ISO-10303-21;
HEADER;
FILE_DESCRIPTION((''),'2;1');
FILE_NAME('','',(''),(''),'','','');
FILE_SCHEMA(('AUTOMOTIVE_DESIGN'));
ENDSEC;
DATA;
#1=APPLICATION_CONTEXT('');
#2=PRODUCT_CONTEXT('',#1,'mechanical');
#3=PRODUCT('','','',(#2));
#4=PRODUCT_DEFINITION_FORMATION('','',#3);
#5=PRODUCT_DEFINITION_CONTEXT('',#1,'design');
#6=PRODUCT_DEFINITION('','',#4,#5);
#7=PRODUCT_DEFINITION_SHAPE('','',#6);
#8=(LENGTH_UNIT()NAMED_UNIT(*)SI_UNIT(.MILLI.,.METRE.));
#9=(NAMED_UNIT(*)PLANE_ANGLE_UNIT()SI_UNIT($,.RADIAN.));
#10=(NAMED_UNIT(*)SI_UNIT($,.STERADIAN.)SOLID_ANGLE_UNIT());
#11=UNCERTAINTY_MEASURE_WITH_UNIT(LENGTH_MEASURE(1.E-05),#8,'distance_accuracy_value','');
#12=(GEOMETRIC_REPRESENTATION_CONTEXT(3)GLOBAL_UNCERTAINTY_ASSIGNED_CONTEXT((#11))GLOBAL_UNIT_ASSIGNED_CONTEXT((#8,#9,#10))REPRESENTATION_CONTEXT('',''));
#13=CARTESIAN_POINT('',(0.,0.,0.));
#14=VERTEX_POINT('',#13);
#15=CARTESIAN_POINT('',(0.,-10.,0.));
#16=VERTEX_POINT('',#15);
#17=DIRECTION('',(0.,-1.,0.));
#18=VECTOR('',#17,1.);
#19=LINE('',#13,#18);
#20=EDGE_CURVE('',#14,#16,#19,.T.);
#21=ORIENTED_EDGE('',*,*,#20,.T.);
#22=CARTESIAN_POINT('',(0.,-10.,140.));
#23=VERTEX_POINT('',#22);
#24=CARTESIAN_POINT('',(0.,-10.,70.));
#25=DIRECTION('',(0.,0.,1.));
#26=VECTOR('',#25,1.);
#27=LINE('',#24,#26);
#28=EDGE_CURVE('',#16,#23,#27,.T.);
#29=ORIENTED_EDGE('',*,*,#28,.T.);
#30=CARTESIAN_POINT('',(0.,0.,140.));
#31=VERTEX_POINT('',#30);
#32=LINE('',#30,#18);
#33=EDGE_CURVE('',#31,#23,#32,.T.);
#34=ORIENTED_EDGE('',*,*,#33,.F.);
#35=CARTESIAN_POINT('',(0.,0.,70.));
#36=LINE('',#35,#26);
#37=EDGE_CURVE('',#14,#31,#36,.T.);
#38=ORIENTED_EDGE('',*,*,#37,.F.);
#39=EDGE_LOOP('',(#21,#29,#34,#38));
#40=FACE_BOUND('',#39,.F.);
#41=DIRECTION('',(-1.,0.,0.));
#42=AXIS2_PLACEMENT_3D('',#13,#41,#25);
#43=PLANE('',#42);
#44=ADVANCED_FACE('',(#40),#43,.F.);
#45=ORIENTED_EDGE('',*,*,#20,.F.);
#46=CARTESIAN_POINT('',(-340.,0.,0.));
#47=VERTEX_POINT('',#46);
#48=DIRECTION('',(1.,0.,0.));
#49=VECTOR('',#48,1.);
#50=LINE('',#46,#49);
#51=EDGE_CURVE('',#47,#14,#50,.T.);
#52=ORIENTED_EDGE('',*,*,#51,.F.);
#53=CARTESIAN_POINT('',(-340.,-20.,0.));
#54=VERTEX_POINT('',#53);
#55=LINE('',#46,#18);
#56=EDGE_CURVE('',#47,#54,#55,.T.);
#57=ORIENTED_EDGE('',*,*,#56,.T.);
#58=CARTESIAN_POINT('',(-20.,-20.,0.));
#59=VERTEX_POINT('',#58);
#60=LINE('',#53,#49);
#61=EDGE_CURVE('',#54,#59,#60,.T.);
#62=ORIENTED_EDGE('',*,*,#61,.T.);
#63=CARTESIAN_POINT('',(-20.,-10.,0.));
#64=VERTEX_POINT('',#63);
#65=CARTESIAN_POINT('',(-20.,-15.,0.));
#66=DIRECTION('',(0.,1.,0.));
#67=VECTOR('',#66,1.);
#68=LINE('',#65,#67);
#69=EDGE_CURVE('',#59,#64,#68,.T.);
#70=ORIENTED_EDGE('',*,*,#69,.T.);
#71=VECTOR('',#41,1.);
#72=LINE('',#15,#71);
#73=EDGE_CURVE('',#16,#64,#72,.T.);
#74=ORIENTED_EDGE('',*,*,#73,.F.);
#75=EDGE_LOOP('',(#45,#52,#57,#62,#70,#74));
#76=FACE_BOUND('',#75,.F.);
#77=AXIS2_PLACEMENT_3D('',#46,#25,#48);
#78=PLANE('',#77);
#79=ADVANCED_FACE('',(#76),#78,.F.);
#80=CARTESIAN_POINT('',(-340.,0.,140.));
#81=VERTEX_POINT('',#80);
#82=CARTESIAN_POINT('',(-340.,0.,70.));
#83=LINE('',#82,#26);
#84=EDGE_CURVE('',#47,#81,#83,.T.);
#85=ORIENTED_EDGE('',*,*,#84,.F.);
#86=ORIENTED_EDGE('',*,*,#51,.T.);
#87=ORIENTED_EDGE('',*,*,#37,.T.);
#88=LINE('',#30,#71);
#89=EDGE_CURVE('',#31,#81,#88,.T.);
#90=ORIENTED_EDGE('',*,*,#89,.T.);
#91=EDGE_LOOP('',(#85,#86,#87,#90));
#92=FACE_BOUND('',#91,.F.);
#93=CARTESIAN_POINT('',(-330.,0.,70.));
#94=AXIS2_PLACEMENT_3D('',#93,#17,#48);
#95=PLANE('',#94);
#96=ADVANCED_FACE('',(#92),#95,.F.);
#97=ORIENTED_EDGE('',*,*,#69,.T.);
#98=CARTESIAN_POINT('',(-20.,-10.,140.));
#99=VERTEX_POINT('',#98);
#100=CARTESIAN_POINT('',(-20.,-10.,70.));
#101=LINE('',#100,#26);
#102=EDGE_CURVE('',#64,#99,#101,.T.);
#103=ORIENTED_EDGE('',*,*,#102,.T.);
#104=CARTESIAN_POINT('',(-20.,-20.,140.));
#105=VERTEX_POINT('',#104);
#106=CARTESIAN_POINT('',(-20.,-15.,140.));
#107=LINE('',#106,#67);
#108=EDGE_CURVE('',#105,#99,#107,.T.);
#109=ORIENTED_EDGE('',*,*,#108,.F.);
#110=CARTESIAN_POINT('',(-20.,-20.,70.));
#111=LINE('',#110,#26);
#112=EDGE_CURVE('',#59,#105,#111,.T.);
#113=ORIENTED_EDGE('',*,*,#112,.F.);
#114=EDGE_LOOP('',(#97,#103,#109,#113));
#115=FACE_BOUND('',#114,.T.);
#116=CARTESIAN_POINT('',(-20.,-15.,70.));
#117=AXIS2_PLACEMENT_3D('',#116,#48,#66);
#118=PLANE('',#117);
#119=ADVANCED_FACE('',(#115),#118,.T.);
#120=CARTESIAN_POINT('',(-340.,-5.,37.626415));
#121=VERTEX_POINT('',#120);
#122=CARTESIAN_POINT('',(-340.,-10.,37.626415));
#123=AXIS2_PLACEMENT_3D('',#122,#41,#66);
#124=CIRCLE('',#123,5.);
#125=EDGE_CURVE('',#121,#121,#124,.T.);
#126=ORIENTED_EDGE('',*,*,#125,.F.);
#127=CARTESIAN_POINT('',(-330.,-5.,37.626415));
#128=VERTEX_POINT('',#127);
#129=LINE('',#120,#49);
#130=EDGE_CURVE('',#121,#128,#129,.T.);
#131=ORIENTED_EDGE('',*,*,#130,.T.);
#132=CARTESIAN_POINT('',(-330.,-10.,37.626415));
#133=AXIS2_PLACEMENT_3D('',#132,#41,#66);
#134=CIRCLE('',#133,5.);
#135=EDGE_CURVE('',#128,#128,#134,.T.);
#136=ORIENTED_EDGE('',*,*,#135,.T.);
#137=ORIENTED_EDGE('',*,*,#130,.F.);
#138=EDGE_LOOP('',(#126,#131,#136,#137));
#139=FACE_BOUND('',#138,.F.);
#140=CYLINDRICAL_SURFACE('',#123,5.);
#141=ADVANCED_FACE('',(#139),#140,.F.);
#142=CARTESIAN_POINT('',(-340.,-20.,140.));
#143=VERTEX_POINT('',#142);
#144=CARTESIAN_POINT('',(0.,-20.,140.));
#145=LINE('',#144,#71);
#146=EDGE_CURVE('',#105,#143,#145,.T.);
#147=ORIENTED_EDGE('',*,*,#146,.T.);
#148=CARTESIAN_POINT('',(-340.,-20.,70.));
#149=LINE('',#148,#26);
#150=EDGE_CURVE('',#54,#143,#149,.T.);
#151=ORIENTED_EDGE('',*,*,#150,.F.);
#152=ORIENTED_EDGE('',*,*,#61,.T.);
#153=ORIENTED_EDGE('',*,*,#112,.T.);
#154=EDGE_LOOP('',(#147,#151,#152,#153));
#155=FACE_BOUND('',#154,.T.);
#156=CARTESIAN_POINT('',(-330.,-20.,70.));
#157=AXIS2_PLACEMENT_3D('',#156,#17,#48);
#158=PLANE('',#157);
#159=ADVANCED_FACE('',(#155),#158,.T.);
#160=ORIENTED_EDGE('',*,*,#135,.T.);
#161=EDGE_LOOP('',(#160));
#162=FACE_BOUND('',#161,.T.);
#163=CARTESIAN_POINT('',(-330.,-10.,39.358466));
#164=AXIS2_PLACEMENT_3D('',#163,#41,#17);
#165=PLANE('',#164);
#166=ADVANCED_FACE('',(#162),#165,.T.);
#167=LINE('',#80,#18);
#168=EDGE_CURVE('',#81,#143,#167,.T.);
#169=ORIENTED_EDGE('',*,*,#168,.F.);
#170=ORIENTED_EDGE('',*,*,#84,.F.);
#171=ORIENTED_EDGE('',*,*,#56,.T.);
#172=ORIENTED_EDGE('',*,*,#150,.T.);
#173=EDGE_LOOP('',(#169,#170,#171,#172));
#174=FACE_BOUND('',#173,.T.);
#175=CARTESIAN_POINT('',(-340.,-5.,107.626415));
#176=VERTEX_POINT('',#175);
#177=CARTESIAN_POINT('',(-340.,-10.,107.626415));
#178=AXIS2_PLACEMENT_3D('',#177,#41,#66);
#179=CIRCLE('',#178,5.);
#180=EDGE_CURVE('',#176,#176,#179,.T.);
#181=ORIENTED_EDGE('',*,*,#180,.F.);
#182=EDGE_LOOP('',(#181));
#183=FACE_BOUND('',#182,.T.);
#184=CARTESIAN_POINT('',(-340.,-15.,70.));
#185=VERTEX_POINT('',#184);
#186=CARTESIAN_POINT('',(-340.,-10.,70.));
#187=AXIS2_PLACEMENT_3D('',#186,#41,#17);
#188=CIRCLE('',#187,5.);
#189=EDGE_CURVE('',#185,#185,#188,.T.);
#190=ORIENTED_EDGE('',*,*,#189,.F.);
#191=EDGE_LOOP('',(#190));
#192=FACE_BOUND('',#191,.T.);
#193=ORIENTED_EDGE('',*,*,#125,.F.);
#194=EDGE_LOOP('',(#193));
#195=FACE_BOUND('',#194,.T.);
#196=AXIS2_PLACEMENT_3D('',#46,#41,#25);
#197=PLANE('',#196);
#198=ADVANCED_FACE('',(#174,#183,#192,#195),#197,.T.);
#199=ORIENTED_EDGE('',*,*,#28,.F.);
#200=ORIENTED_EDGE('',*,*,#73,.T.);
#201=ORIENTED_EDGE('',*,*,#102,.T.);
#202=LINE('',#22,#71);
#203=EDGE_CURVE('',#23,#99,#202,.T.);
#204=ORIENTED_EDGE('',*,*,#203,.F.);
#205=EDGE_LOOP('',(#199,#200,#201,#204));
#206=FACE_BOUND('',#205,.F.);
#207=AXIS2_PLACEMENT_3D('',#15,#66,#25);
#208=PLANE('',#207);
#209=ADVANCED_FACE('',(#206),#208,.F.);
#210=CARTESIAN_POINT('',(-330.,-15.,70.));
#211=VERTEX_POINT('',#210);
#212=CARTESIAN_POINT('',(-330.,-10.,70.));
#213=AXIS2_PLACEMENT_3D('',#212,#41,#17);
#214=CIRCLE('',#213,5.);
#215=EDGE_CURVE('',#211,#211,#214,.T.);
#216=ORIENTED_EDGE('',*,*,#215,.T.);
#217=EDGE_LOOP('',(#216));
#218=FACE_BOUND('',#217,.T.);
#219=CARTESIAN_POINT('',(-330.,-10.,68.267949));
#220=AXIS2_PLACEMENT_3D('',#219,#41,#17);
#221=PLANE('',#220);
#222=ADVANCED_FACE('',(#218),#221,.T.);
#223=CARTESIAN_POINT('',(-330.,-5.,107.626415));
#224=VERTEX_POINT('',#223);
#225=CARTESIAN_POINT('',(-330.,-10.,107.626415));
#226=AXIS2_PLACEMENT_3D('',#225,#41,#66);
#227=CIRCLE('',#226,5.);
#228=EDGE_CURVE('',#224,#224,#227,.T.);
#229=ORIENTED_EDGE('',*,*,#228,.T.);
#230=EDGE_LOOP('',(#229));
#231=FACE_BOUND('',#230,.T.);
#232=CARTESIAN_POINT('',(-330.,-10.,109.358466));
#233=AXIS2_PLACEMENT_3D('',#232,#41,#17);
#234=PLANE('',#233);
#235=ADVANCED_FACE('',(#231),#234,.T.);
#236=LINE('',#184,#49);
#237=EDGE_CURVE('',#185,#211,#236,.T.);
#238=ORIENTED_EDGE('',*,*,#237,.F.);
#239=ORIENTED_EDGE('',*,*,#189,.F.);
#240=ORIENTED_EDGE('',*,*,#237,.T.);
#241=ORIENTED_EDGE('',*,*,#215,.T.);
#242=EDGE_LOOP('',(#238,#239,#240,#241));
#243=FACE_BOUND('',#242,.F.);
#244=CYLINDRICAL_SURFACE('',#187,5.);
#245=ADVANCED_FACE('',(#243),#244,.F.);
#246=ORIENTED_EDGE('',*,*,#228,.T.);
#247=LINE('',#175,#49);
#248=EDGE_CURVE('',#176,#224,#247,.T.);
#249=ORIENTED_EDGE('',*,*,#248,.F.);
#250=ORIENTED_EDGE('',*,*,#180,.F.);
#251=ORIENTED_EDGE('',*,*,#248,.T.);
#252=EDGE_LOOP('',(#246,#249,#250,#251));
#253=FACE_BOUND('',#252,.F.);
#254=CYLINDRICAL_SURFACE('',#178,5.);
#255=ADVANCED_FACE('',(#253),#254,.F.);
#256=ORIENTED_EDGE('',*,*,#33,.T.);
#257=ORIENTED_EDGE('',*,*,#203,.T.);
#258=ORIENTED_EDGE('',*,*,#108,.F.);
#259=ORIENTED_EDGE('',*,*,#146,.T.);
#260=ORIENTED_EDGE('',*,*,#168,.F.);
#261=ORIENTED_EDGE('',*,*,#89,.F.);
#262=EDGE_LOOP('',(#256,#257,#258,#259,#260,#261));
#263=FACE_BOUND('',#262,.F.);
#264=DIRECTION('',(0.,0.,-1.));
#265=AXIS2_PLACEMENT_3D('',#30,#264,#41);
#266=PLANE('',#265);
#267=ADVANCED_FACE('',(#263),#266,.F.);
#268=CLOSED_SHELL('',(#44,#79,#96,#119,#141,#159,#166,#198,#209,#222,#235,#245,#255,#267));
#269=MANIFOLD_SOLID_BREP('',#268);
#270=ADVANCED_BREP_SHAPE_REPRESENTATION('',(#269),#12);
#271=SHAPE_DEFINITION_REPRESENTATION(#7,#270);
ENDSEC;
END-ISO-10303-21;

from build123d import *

# Parameters (mm, degrees)
F0_W     = 20
F0_H     = 140
F0_W_2   = 320
F1_DEPTH = 20
F2_W     = 10
F2_H     = 140
F3_DEPTH = 20
F5_DEPTH = 10


with BuildPart() as f1:
    # F0 (on Front) → F1 (new body)
    with BuildSketch(Plane.XZ):
        with Locations((-330, 70)):
            Rectangle(F0_W, F0_H)
        with Locations((-160, 70)):
            Rectangle(F0_W_2, F0_H)
    extrude(amount=F1_DEPTH)

    # F2 (on face) → F3 (cut)
    with BuildSketch(Plane.YZ):
        with Locations((-15, 70)):
            Rectangle(F2_W, F2_H)
    extrude(amount=-F3_DEPTH, mode=Mode.SUBTRACT)

    # F4 (on face) → F5 (cut)
    with BuildSketch(Plane(origin=(-340, 0, 0), x_dir=(0, -1, 0), z_dir=(-1, 0, 0))):
        with BuildLine():
            ThreePointArc((15, 37.6264154911), (10, 42.6264154911), (5, 37.6264154911))
            Line((5, 37.6264154911), (15, 37.6264154911))
        make_face()
        with BuildLine():
            Line((15, 37.6264154911), (5, 37.6264154911))
            ThreePointArc((5, 37.6264154911), (10, 32.6264154911), (15, 37.6264154911))
        make_face()
        with BuildLine():
            ThreePointArc((15, 107.6264154911), (10, 112.6264154911), (5, 107.6264154911))
            Line((5, 107.6264154911), (15, 107.6264154911))
        make_face()
        with BuildLine():
            Line((15, 107.6264154911), (5, 107.6264154911))
            ThreePointArc((5, 107.6264154911), (10, 102.6264154911), (15, 107.6264154911))
        make_face()
        with BuildLine():
            Line((15, 70), (5, 70))
            ThreePointArc((5, 70), (10, 65), (15, 70))
        make_face()
        with BuildLine():
            ThreePointArc((15, 70), (10, 75), (5, 70))
            Line((5, 70), (15, 70))
        make_face()
    extrude(amount=-F5_DEPTH, mode=Mode.SUBTRACT)


solid = f1.part
